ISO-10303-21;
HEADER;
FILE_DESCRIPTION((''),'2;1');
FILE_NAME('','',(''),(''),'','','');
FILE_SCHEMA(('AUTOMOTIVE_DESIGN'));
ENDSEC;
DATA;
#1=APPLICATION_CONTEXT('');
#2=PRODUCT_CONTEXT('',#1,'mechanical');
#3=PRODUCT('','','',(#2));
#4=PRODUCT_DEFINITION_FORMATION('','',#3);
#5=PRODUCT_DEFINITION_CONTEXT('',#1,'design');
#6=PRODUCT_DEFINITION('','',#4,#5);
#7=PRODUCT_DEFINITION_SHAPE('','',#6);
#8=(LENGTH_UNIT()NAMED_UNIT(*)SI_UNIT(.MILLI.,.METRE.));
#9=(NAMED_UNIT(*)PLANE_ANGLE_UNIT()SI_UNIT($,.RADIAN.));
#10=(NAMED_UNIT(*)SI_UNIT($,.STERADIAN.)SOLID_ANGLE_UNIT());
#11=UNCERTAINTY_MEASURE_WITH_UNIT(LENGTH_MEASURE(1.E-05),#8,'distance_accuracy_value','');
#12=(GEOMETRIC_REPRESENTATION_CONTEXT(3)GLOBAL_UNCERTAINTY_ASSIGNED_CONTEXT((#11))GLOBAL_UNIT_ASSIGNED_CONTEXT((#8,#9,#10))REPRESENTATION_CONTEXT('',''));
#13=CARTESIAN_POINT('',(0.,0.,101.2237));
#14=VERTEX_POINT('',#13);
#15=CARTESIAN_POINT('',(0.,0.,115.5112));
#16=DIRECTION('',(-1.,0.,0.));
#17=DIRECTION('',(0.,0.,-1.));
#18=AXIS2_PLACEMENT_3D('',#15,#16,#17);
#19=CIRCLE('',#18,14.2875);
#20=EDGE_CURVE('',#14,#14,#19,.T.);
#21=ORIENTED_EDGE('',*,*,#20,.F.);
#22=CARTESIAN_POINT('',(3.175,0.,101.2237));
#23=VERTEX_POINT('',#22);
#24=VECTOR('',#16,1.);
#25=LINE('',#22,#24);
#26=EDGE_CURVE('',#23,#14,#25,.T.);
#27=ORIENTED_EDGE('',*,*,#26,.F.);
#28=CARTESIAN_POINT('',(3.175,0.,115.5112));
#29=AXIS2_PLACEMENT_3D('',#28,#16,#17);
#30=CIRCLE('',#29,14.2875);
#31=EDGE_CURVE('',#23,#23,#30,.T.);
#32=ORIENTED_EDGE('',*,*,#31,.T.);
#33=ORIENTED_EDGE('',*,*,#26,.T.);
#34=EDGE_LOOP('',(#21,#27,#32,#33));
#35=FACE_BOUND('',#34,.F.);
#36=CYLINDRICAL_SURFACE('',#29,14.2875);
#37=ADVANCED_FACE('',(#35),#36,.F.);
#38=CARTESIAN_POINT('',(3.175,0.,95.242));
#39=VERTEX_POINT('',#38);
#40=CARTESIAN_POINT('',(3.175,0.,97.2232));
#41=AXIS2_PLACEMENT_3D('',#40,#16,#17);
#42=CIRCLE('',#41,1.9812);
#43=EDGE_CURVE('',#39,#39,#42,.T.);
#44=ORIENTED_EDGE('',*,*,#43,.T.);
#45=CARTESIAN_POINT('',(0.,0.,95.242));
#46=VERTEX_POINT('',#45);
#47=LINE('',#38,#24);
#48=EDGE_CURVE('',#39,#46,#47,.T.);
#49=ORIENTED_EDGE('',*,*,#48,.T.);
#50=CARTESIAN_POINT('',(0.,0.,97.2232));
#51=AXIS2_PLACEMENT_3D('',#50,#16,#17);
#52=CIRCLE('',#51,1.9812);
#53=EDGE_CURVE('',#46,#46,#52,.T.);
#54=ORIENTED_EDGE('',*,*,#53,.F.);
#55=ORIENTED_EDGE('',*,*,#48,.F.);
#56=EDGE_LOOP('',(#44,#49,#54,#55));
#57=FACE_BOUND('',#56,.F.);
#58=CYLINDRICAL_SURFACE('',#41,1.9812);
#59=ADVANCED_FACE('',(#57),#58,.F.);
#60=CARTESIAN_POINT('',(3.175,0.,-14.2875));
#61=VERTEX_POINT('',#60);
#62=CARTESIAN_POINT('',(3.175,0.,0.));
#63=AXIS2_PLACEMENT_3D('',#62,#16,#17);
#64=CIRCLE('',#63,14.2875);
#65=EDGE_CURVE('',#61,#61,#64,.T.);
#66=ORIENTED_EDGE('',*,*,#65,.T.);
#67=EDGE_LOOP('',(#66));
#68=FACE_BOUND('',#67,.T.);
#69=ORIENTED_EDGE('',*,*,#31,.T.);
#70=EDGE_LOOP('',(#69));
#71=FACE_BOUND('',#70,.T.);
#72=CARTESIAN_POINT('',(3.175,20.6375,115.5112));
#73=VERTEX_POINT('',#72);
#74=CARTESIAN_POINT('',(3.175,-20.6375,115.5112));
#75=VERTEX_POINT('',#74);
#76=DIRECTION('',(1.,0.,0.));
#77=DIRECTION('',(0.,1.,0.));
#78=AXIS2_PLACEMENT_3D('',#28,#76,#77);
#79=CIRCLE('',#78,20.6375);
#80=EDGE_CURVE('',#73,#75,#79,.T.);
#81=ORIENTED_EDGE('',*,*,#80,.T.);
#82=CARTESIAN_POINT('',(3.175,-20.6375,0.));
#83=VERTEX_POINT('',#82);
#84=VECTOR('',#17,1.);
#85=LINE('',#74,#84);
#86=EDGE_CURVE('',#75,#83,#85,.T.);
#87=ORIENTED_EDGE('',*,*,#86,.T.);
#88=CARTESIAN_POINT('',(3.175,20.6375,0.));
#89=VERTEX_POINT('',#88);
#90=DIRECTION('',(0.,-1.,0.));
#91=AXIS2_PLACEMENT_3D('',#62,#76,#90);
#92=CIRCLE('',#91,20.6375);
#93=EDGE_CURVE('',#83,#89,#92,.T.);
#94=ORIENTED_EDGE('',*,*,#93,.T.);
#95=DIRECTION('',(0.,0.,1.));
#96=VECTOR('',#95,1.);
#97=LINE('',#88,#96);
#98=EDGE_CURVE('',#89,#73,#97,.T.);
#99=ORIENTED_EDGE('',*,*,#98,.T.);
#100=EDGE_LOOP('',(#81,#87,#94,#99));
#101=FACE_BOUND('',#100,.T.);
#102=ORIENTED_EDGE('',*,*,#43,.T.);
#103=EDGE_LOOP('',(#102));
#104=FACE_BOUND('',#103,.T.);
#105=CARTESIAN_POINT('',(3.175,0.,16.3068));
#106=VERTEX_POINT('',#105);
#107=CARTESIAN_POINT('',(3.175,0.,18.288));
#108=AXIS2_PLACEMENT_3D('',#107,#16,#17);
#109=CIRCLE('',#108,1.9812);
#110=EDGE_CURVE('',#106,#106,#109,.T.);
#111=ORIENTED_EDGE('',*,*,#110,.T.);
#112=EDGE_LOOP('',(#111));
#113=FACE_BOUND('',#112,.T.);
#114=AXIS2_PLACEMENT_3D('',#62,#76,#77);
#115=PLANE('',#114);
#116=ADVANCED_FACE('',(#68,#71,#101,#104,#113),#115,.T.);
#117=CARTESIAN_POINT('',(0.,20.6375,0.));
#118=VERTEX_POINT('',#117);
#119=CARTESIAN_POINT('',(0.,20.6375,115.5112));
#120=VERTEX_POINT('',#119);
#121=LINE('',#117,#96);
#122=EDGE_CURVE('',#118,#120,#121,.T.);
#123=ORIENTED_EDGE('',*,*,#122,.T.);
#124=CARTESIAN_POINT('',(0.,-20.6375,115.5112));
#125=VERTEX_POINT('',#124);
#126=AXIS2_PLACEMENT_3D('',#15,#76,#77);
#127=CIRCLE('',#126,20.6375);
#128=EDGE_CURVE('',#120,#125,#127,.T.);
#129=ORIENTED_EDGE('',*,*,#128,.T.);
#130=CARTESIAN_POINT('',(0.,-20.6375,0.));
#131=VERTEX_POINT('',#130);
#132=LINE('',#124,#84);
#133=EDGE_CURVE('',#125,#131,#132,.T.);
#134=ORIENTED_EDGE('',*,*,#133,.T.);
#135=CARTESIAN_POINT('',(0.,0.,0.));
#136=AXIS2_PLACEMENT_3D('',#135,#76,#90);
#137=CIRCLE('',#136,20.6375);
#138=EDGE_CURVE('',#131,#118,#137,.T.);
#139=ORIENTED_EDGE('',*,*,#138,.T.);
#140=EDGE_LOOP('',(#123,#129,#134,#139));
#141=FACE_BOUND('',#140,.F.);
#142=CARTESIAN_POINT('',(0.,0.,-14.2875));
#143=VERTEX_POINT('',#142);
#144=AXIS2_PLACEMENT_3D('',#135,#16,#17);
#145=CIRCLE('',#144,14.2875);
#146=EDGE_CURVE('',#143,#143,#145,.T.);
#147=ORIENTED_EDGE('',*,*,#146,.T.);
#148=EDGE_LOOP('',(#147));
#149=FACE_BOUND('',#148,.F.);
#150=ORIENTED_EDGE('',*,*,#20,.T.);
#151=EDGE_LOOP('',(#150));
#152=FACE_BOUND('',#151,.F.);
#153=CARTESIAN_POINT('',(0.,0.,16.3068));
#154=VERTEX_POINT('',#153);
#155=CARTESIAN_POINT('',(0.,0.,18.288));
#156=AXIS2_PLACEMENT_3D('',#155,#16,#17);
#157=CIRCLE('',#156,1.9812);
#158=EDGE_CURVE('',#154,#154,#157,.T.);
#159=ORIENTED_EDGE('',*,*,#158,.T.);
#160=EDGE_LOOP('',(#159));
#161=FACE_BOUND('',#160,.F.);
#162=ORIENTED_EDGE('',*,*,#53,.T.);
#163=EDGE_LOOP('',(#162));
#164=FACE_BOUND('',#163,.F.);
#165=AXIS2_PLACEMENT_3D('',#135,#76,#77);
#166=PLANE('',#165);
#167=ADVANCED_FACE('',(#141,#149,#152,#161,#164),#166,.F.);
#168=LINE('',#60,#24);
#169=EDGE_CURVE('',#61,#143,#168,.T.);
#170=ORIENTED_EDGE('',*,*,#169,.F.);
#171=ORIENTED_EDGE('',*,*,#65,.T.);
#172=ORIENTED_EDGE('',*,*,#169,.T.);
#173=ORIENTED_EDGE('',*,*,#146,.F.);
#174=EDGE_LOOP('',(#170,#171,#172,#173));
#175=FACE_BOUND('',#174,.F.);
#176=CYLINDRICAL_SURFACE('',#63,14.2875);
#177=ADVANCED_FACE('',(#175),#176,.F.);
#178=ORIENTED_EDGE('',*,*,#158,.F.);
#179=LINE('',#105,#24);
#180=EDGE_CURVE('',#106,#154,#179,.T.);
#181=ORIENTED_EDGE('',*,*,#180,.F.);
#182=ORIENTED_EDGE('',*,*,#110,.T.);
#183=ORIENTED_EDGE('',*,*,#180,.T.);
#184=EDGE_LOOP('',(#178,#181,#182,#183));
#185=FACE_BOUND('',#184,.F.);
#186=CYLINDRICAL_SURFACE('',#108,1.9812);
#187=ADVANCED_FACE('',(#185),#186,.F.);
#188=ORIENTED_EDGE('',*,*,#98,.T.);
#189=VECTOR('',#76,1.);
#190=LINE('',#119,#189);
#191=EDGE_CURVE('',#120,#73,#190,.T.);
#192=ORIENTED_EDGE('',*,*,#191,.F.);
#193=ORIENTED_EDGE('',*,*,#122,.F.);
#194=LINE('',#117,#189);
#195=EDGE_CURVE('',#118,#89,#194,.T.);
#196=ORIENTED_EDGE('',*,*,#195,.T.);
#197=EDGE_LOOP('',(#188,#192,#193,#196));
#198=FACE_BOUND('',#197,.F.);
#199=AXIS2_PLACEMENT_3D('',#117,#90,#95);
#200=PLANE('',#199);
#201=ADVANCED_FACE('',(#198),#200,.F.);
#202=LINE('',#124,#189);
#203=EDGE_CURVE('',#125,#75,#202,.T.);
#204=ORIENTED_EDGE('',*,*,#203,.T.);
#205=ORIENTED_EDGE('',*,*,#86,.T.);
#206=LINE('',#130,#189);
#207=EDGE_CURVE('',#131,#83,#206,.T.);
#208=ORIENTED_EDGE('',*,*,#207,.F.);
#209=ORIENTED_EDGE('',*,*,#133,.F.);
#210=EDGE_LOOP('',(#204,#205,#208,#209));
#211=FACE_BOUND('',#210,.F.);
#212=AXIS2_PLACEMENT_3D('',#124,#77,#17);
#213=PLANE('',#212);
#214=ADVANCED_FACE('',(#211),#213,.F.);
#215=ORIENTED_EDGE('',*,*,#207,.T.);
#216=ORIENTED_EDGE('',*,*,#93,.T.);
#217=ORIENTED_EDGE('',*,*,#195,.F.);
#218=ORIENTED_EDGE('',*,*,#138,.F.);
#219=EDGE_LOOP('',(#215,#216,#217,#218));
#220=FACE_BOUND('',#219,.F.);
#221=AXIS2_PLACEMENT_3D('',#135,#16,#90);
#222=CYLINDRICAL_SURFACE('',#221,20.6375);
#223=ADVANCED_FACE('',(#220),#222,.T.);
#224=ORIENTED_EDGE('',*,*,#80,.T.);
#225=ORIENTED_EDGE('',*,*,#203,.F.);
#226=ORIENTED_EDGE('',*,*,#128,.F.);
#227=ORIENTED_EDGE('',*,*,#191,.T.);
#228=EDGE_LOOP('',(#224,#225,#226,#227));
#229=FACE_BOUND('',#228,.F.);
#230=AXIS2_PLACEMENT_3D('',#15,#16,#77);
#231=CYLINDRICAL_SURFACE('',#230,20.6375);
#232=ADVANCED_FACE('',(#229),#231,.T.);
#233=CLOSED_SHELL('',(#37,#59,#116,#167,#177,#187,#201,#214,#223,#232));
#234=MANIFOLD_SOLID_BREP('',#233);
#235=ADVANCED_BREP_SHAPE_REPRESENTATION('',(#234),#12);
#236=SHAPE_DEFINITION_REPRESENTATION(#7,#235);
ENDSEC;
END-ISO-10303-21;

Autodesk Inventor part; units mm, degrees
ref_plane "YZ Plane" through (0, 0, 0) normal (1, 0, 0) x (0, 1, 0)
ref_plane "XZ Plane" through (0, 0, 0) normal (0, 1, 0) x (-1, 0, 0)
ref_plane "XY Plane" through (0, 0, 0) normal (0, 0, 1) x (1, 0, 0)
sketch "Sketch1" plane through (0, 0, 0) normal (1, 0, 0) x (0, 1, 0)
  arc A0 (-20.6375, 0) -> (20.6375, 0) centre (0, 0) ccw
  arc A1 (20.6375, 115.5112) -> (-20.6375, 115.5112) centre (0, 115.5112) ccw
  line L0 (-20.6375, 115.5112) -> (-20.6375, 0)
  line L1 (20.6375, 0) -> (20.6375, 115.5112)
  dimension "d0" = 115.5112
  dimension "d1" = 41.275
extrude "Plate1" add sketch "Sketch1" along normal blind 3.175
sketch "Sketch2" plane through (3.175, 0, 0) normal (1, 0, 0) x (0, 0, -1)
  point P0 (0, 0)
  point P1 (0, 0)
  point P2 (0, 0)
  point P3 (-115.5112, 0)
  dimension "d21" = 115.5112
hole "Hole1" at (3.175, 0, 0) at (3.175, 0, 115.5112) direction (-1, 0, 0) diameter 28.575 depth 3.175 tip angle 118
sketch "Sketch3" plane through (3.175, 0, 0) normal (1, 0, 0) x (0, 0, -1)
  circle A0 centre (0, 0) radius 15.5575 construction
  point P0 (-18.288, 0)
  point P1 (-115.5112, 0)
  point P2 (-97.2232, 0)
  dimension "d10" = 31.115
  dimension "d13" = 18.288
  dimension "d22" = 115.5112
  dimension "d23" = 18.288
hole "Hole2" at (3.175, 0, 18.288) at (3.175, 0, 97.2232) direction (-1, 0, 0) diameter 3.9624 depth 13.6144 tip angle 118 thread size "10-32 UNF" class "2B" standard "ANSI Unified Screw Threads"
equation "\"d21\" = d0"
equation "\"d8\" = Thickness"
equation "\"d2\" = Thickness"
equation "\"d22\" = d0"
equation "\"d23\" = d13"
equation "\"BendRadius\" = Thickness"
equation "\"BendReliefWidth\" = Thickness"
equation "\"BendReliefDepth\" = 0.5 * Thickness"
equation "\"CornerReliefSize\" = 4 * Thickness"
equation "\"MinimumRemnant\" = 2 * Thickness"
equation "\"TransitionRadius\" = BendRadius"
equation "\"JacobiRadiusSize\" = BendRadius"
equation "\"GapSize\" = Thickness"
equation "\"Thickness\" = 3.175"
properties part number "PLATE,KICKER,MOTOR,SUPPORT" material "Polycarbonate, Clear"
